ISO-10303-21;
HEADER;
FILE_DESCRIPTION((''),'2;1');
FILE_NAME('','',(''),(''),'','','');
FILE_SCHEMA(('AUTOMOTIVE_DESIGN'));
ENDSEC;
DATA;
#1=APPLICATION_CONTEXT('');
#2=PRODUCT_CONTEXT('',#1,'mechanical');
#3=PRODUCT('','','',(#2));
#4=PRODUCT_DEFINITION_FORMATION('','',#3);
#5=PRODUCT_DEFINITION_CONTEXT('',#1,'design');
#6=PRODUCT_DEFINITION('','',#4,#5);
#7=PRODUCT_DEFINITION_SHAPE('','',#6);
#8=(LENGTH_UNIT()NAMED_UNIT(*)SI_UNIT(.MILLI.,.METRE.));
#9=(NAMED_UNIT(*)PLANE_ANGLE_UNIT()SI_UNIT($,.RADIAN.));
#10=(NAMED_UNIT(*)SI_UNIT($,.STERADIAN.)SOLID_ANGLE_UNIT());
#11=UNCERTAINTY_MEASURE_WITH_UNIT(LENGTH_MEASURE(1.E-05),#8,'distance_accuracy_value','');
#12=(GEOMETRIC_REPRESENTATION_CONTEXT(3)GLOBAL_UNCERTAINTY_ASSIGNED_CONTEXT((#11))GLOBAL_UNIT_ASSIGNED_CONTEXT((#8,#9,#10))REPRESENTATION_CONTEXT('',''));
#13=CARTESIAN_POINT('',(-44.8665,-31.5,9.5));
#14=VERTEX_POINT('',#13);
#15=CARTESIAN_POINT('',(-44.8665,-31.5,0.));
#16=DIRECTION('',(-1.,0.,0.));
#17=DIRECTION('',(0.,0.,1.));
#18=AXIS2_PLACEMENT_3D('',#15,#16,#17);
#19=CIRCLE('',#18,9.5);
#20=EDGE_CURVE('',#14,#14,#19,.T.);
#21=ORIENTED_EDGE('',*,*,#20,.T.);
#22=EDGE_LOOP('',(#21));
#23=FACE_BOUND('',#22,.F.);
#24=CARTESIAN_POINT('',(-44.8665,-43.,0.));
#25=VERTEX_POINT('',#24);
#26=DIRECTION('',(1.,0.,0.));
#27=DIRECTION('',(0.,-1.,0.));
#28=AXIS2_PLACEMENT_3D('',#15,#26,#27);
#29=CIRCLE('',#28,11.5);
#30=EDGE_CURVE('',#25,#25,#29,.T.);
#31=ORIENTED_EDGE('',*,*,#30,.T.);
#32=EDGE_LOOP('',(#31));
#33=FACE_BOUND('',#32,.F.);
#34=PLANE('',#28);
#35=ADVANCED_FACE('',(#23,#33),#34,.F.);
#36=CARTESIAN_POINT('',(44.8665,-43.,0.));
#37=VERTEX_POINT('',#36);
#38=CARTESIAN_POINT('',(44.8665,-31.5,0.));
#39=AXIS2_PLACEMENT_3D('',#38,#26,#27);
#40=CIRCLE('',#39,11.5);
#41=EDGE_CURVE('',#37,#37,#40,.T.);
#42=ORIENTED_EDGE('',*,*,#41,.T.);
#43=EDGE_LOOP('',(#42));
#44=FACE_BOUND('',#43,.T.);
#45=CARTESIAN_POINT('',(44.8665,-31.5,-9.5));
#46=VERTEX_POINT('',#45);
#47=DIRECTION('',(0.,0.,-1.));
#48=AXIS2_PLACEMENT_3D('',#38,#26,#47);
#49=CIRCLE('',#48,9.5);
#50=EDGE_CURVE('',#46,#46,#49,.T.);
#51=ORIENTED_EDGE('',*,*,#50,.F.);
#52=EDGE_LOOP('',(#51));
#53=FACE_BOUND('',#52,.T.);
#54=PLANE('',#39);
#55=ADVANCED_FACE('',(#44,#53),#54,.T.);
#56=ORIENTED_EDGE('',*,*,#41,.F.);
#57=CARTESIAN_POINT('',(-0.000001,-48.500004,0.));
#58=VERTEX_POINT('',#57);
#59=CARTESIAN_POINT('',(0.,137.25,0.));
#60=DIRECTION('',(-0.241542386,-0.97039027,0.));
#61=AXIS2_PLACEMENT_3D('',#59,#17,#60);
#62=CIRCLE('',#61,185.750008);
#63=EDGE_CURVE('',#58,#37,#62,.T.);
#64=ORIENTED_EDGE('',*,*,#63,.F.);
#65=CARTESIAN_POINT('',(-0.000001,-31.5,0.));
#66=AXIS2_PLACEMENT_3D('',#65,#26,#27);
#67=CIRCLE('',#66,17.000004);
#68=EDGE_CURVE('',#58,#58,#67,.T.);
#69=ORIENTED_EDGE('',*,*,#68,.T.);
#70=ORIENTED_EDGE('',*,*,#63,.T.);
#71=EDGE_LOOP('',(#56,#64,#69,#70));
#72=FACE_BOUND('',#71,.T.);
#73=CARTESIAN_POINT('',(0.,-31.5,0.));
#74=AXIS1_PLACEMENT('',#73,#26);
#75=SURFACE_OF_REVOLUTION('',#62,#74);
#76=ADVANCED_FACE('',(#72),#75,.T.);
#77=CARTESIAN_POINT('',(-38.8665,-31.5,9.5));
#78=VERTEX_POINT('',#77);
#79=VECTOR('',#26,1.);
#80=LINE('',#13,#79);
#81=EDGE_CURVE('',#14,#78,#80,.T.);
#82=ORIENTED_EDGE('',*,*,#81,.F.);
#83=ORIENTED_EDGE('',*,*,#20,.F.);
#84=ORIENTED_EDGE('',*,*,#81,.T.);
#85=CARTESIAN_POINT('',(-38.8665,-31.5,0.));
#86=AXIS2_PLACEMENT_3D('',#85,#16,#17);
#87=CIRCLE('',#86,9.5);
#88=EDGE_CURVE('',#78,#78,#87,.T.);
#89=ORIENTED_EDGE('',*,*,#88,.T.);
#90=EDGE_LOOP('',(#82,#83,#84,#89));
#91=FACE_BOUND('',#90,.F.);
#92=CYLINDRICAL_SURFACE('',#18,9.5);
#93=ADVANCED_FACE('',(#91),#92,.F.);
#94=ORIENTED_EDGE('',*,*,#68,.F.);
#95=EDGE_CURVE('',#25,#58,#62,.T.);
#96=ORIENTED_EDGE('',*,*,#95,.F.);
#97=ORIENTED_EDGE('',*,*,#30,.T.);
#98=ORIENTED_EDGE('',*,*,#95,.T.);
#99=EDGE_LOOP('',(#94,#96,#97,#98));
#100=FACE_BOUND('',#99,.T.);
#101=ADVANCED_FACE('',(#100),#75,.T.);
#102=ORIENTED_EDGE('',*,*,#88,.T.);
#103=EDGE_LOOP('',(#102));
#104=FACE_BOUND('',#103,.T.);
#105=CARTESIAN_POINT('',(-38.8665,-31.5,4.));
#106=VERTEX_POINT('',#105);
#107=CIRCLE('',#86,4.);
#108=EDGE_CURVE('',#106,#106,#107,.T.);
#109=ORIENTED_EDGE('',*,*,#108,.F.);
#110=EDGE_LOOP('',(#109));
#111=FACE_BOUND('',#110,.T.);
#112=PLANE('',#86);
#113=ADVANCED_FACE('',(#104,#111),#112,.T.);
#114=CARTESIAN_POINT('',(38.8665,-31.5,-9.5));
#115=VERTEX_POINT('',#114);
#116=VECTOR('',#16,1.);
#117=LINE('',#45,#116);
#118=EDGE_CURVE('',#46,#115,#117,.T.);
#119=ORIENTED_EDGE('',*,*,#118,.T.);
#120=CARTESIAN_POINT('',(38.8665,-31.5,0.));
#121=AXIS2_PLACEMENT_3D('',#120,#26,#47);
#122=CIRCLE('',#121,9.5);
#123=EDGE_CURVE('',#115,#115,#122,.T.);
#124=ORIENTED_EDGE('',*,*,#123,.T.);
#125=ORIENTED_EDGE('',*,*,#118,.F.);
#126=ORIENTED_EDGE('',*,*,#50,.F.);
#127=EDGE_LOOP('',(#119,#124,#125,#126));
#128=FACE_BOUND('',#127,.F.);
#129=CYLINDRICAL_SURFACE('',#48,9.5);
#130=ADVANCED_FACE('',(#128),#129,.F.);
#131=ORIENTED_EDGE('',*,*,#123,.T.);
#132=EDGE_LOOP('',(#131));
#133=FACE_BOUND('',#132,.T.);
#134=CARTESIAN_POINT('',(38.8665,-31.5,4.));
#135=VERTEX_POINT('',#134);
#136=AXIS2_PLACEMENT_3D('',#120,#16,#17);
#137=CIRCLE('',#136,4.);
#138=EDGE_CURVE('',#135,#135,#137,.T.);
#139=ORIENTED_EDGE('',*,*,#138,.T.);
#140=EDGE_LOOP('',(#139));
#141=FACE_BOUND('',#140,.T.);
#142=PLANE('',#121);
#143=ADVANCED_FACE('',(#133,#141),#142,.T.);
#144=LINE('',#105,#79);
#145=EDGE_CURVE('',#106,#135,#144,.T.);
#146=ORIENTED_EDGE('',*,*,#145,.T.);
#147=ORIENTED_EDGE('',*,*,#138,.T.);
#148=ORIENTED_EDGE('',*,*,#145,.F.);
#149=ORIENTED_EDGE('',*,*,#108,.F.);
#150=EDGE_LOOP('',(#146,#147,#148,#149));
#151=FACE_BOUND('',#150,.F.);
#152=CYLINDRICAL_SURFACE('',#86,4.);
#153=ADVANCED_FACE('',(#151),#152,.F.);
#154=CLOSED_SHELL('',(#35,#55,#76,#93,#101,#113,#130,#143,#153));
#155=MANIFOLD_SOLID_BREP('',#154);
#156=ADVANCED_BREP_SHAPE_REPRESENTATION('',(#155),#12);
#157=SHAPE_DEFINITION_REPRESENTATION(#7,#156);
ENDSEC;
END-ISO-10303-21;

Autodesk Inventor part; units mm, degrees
ref_plane "YZ Plane" through (0, 0, 0) normal (1, 0, 0) x (0, 1, 0)
ref_plane "XZ Plane" through (0, 0, 0) normal (0, 1, 0) x (-1, 0, 0)
ref_plane "Work Plane1" through (0, 0, 0) normal (0, -0.866, 0.5) x (1, 0, 0)
sketch "Sketch1" plane through (0, 0, 0) normal (0, -0.866, 0.5) x (1, 0, 0)
  circle A0 centre (0, 0) radius 97 construction
  dimension "d1" = 194
sketch "Sketch2" plane through (0, 0, 0) normal (0, 1, 0) x (-1, 0, 0)
  point P0 (0, 0)
sketch "Sketch3" plane through (0, 0, 0) normal (0, 0, 1) x (1, 0, 0)
  ellipse E0 centre (0, 0) end of major axis (97, 0) minor radius 48.5 construction
  circle A0 centre (0, -31.5) radius 17
  line L0 (0, -31.5) -> (44.8665, -31.5)
  line L1 (0, -43) -> (44.8665, -43) construction
  line L2 (0, -31.5) -> (-44.8665, -31.5)
  line L3 (0, -43) -> (-44.8665, -43) construction
  line L4 (44.8665, -43) -> (44.8665, -31.5)
  line L5 (-44.8665, -43) -> (-44.8665, -31.5)
  arc A1 (-44.8665, -43) -> (44.8665, -43) centre (0, 137.25) ccw
  dimension "d3" = 11.5
revolve "Revolution1" add sketch "Sketch3" angle 360 about axis through (0, -31.5, 0) along (1, 0, 0) picked at (1.261, -42.6913) contours L0 L4 A1 A0 | A0 L2 L0 | A0 A1 L5 L2
sketch "Sketch4" plane through (-44.8665, -31.5, 0) normal (-1, 0, 0) x (0, 0, 1)
  circle A0 centre (0, 0) radius 9.5
  point P0 (0, 31.5)
  dimension "d5" = 19
extrude "Extrusion1" cut sketch "Sketch4" against normal blind 6
sketch "Sketch5" plane through (-38.8665, -31.5, 0) normal (-1, 0, 0) x (0, 0, 1)
  circle A0 centre (0, 0) radius 4
  point P0 (0, 31.5)
  dimension "d8" = 8
extrude "Extrusion2" cut sketch "Sketch5" against normal blind 100
sketch "Sketch6" plane through (44.8665, -31.5, 0) normal (1, 0, 0) x (0, 0, -1)
  circle A0 centre (0, 0) radius 4 projected
  circle A1 centre (0, 0) radius 9.5
  point P0 (0, 31.5)
extrude "Extrusion3" cut sketch "Sketch6" against normal blind 6
properties part number "roller test"
